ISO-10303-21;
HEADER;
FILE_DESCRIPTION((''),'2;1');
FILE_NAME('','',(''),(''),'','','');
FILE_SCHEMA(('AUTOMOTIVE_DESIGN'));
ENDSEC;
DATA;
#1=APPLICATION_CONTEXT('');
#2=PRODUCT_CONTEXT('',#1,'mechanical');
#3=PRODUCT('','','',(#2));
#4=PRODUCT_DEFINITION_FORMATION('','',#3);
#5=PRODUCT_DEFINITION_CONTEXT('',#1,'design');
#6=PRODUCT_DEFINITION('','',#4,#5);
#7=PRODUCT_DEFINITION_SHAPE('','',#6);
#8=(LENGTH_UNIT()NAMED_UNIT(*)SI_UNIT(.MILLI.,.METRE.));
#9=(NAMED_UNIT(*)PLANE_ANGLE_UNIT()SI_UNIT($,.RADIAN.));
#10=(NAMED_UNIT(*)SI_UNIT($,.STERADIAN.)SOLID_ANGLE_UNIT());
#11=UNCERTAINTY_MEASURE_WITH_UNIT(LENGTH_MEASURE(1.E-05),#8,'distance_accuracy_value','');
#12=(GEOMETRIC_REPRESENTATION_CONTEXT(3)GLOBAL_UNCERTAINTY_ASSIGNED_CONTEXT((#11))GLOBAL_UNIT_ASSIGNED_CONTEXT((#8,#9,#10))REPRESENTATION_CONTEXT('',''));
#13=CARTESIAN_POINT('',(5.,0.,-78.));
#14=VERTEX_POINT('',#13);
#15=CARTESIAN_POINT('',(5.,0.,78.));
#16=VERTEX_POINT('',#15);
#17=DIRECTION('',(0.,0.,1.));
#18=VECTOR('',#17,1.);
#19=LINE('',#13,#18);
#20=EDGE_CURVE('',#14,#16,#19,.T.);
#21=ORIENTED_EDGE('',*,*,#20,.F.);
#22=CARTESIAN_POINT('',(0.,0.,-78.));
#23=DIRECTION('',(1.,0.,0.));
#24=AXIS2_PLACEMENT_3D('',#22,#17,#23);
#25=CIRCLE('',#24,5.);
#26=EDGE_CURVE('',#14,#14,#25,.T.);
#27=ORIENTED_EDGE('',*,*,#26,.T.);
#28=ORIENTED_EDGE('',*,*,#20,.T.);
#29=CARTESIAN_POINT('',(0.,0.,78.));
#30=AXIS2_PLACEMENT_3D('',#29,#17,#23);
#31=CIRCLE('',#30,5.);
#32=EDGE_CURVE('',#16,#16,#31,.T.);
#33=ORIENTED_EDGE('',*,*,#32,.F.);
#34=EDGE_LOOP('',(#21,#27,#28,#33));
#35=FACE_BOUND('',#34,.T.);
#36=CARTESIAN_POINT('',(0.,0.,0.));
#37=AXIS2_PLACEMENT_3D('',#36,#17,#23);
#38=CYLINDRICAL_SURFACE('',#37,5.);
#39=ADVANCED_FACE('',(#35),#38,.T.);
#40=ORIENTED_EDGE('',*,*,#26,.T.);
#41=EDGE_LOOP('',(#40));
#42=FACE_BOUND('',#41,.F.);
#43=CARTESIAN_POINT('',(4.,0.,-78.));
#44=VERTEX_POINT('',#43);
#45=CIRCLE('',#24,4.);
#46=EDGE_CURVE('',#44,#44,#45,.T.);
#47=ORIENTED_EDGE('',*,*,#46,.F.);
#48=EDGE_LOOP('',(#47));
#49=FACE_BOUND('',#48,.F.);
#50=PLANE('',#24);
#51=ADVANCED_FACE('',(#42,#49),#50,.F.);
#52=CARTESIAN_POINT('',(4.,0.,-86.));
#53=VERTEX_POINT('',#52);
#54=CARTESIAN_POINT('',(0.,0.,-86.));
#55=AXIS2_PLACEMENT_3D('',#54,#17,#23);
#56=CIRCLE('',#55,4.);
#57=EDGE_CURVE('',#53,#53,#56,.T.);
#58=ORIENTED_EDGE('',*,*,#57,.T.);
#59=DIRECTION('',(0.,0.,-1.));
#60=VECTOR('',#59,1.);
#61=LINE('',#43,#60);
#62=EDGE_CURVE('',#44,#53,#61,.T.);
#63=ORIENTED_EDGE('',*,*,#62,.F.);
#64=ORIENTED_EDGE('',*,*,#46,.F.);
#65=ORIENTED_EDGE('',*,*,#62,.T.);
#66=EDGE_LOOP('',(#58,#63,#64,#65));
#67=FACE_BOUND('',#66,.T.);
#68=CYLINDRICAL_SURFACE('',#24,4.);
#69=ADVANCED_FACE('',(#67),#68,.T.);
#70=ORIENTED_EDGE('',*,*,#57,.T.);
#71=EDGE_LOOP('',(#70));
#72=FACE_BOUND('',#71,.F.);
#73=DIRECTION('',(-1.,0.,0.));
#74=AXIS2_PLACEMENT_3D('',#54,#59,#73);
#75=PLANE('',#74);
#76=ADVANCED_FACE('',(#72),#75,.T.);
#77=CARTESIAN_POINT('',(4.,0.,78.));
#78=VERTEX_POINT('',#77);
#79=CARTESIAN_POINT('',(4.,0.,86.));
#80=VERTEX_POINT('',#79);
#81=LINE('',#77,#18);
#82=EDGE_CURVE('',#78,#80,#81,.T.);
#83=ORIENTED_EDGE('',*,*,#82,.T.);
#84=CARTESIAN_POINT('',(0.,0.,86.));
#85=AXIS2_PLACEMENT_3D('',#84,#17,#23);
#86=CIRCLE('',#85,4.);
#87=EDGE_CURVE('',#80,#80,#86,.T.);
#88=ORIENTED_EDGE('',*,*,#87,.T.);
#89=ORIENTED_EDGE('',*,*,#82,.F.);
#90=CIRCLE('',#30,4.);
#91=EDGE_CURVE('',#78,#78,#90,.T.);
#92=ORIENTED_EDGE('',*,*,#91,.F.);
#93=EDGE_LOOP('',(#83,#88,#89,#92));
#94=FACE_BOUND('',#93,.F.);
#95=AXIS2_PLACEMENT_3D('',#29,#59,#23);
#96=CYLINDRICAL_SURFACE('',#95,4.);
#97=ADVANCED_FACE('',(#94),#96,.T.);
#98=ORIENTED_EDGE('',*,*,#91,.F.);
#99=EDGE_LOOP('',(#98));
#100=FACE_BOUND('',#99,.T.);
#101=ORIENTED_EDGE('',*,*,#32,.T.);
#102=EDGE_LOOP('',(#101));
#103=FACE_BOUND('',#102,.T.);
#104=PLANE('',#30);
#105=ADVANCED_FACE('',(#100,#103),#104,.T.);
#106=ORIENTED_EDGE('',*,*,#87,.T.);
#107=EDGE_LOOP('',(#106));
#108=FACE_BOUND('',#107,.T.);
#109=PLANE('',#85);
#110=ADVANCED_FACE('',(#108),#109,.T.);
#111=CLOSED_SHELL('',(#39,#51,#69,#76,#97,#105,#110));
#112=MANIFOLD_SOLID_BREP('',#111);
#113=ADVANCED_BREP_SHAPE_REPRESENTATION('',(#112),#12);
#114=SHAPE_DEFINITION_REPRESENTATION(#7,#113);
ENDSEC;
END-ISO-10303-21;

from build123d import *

# Parameters (mm, degrees)
SKETCH2_R           = 5
BOSS_EXTRUDE1_DEPTH = 78
SKETCH4_R           = 4
BOSS_EXTRUDE3_DEPTH = 8


with BuildPart() as part:
    # Sketch2 → Boss-Extrude1 (new body, symmetric)
    with BuildSketch(Plane.XY):
        Circle(SKETCH2_R)
    extrude(amount=BOSS_EXTRUDE1_DEPTH, both=True)

    # Sketch4 → Boss-Extrude3 (add)
    with BuildSketch(Plane.XY.offset(78)):
        Circle(SKETCH4_R)
    boss_extrude3 = extrude(amount=BOSS_EXTRUDE3_DEPTH)

    # Mirror1: Boss-Extrude3 across plane
    add(boss_extrude3.mirror(Plane.XY))


solid = part.part
